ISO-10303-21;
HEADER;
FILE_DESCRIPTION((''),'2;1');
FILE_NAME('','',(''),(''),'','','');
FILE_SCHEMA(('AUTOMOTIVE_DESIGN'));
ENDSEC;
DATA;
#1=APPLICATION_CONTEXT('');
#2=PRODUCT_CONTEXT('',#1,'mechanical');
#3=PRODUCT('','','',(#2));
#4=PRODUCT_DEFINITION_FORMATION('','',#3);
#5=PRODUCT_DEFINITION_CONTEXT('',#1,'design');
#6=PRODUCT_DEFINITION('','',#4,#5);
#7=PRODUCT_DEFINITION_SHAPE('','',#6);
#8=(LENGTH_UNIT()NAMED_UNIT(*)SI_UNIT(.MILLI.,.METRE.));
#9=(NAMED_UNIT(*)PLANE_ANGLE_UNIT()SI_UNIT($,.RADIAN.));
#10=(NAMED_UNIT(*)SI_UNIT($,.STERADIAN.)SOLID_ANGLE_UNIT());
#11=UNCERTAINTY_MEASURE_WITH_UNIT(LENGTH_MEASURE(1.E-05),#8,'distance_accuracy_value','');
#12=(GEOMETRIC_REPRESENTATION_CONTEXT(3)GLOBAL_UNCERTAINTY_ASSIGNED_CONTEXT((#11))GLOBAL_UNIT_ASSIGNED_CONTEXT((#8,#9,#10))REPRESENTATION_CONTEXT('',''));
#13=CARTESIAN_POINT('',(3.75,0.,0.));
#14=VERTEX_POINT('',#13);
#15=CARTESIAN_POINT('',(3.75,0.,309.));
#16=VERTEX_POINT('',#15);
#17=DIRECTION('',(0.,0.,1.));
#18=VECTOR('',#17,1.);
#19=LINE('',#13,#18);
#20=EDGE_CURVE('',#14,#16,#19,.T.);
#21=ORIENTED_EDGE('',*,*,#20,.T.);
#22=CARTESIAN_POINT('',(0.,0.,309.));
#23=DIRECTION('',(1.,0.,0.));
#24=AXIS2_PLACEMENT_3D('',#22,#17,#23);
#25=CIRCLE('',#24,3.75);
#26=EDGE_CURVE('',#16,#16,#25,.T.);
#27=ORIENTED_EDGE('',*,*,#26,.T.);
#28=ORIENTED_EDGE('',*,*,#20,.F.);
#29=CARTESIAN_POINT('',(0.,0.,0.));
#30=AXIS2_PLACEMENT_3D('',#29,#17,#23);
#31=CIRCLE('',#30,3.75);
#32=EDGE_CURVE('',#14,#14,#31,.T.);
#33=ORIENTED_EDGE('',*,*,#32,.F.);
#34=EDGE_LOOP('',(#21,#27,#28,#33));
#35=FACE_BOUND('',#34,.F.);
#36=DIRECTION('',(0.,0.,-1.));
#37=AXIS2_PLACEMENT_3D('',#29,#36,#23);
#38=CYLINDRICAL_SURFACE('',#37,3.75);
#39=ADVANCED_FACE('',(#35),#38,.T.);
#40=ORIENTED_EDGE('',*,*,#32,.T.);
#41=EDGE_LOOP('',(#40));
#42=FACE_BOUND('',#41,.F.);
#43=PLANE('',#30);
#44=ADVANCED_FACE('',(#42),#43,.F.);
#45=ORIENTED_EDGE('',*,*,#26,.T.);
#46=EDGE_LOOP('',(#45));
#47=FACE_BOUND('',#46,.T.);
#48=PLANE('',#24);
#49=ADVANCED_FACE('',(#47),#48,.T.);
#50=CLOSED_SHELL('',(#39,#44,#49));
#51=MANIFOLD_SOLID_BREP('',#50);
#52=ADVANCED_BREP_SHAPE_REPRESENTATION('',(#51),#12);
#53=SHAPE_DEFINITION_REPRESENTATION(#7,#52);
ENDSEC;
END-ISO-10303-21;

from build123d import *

# Parameters (mm, degrees)
CYLINDER_R     = 3.75
CYLINDER_DEPTH = 309


with BuildPart() as part:
    # Cylinder → Cylinder (new body)
    with BuildSketch(Plane.XY):
        Circle(CYLINDER_R)
    extrude(amount=CYLINDER_DEPTH)


solid = part.part
